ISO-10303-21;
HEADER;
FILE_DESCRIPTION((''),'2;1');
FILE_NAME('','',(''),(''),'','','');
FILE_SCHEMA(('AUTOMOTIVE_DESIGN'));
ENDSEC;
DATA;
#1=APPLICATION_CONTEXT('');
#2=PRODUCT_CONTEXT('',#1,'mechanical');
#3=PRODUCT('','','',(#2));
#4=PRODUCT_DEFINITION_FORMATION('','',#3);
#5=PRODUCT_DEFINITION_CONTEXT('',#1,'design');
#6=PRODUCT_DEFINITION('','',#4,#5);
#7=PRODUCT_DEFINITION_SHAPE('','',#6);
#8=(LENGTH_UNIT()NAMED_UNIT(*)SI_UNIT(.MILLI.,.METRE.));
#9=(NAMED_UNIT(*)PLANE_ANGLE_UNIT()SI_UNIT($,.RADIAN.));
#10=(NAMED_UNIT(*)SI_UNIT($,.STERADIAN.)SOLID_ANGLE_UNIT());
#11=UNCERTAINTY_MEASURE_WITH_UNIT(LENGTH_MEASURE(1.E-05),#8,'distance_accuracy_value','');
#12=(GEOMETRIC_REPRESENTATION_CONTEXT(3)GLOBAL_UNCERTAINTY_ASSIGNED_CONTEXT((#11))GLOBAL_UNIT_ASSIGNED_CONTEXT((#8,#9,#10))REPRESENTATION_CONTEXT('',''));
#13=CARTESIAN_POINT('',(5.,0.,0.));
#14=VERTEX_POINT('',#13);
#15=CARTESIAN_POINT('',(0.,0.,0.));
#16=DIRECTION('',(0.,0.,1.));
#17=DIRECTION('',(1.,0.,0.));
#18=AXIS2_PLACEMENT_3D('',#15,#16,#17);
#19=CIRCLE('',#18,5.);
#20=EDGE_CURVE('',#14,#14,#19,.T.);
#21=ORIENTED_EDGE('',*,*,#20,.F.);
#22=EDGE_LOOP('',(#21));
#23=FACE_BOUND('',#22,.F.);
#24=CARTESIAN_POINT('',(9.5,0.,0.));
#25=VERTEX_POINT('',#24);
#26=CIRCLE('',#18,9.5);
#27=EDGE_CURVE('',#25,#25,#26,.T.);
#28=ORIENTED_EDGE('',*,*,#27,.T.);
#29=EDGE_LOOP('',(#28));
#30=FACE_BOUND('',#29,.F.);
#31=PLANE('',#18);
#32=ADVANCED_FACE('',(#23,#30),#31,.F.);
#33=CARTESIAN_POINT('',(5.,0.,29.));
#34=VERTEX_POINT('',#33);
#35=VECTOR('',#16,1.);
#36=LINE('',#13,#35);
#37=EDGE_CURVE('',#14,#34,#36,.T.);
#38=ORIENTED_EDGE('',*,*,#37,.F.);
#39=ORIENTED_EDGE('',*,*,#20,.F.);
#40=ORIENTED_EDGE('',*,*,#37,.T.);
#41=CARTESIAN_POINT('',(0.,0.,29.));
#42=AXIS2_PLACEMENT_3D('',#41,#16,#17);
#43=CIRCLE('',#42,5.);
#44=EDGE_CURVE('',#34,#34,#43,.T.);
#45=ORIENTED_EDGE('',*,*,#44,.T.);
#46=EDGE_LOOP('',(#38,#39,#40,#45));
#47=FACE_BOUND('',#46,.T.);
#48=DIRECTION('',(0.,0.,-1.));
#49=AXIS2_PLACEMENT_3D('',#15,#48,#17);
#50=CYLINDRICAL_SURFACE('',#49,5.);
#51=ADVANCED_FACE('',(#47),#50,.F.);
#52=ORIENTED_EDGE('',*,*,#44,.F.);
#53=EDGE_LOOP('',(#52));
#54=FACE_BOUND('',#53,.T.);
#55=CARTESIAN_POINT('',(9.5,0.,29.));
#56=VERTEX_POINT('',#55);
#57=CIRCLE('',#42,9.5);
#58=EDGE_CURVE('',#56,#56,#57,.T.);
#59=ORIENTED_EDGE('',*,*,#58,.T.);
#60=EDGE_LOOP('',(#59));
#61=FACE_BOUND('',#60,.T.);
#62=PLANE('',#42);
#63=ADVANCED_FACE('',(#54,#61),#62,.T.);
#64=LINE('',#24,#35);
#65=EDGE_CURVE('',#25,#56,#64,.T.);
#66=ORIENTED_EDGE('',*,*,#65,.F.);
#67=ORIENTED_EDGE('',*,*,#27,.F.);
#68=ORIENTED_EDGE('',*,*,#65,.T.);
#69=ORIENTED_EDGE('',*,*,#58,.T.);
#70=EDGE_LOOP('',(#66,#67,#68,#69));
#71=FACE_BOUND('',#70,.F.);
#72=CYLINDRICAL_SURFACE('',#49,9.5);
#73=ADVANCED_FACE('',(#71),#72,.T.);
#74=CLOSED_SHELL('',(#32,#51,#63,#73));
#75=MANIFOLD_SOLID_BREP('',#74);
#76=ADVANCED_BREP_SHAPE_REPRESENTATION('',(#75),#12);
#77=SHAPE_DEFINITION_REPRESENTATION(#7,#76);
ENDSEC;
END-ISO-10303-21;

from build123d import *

# Parameters (mm, degrees)
SKETCH_R   = 9.5
SKETCH_R_2 = 5
PAD_DEPTH  = 29


with BuildPart() as part:
    # Sketch → Pad (new body)
    with BuildSketch(Plane.XY):
        Circle(SKETCH_R)
        Circle(SKETCH_R_2, mode=Mode.SUBTRACT)
    extrude(amount=PAD_DEPTH)


solid = part.part
